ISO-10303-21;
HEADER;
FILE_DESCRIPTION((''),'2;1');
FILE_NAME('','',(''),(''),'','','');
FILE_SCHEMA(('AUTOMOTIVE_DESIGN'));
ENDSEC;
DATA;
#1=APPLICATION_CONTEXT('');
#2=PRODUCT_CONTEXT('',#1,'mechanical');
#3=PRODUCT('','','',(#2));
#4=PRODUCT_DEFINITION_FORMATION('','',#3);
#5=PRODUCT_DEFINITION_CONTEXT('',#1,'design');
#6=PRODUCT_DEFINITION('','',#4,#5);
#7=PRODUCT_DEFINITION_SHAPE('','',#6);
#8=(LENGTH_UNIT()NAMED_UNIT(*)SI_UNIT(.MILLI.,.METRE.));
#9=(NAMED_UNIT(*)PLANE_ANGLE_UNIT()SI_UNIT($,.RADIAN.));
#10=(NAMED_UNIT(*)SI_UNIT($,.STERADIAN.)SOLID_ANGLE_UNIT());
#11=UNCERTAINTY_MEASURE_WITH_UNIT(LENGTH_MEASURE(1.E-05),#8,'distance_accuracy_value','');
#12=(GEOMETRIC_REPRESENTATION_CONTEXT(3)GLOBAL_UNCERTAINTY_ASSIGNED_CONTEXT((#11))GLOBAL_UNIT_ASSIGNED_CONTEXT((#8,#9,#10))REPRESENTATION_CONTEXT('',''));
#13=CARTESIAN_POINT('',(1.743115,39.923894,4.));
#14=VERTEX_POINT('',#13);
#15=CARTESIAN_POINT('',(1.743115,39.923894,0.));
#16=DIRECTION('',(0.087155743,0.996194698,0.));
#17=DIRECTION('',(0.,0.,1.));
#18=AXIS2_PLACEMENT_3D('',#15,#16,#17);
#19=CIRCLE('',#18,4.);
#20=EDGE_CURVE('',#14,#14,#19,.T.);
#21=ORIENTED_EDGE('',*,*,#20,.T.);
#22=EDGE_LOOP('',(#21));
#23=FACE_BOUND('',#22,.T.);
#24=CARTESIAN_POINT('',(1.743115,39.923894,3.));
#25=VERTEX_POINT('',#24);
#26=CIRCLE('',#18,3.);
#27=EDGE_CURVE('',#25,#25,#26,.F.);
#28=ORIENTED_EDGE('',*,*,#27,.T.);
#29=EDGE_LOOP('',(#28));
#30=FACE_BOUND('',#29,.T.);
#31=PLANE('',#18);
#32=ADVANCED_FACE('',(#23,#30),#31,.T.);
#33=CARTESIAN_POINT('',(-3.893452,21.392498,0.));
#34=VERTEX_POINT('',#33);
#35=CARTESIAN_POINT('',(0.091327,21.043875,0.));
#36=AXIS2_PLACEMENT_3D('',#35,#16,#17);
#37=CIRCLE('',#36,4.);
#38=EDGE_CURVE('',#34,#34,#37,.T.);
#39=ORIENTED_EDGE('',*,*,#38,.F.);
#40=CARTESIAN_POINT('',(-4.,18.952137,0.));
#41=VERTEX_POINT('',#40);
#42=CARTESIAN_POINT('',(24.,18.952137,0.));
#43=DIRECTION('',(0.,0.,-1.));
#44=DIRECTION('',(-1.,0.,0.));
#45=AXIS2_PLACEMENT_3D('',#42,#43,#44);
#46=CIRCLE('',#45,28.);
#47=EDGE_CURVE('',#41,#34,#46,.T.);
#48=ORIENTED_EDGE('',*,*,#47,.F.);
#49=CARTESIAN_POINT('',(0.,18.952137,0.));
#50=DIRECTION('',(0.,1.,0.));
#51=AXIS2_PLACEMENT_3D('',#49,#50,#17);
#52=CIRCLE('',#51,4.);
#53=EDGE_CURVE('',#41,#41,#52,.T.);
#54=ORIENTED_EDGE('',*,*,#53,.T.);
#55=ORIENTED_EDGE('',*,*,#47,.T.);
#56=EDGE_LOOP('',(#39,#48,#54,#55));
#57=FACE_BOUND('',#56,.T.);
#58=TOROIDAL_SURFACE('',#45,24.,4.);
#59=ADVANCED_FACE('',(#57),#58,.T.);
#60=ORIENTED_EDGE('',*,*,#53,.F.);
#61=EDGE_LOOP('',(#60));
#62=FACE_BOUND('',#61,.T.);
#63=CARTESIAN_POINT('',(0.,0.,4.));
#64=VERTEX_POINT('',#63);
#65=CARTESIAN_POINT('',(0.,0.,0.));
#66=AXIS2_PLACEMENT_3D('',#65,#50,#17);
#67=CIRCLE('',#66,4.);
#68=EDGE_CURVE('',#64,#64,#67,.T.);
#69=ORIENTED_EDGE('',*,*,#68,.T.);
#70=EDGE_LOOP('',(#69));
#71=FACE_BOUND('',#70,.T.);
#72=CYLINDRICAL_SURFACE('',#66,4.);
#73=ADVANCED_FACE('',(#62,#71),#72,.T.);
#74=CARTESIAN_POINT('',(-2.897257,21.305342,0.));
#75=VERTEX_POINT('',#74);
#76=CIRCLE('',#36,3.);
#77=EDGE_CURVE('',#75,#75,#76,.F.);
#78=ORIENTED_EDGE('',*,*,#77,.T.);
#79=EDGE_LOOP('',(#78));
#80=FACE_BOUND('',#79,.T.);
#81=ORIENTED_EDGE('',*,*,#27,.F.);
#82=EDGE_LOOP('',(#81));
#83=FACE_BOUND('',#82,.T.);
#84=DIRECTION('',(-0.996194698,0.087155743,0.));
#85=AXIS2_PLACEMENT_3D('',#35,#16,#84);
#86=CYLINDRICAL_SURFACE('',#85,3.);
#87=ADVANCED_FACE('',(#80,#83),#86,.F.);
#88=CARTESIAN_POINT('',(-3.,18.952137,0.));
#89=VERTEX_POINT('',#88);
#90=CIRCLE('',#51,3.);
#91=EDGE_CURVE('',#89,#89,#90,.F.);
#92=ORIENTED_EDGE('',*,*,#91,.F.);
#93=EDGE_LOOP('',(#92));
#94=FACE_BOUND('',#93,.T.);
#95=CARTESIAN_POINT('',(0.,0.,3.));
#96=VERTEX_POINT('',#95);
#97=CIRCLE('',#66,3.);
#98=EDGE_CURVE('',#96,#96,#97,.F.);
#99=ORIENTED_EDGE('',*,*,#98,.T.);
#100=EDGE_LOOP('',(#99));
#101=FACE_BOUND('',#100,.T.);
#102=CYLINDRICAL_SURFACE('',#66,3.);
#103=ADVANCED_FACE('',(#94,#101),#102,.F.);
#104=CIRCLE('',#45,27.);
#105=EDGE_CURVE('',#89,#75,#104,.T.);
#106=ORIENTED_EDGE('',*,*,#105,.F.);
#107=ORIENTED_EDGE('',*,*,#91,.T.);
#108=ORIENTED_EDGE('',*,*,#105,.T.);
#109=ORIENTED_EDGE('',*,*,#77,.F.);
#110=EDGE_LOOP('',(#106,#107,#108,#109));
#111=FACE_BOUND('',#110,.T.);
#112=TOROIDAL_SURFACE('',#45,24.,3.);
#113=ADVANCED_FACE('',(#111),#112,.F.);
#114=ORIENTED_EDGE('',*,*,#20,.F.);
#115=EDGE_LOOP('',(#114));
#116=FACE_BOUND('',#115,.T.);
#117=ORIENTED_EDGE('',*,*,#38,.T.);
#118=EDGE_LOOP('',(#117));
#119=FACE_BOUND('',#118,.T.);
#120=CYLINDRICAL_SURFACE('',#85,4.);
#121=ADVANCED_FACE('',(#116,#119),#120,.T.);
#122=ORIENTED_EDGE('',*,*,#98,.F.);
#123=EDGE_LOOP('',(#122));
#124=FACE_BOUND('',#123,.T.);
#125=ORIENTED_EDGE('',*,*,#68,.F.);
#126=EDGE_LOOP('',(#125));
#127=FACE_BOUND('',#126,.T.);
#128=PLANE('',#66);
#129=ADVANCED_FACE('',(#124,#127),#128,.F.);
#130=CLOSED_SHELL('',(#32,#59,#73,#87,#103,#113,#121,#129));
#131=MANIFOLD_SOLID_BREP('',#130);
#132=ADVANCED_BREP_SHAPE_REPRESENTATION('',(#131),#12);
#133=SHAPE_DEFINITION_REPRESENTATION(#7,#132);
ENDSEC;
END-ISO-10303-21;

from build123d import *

# Parameters (mm, degrees)
SKETCH2_R   = 4
SKETCH2_R_2 = 3


with BuildPart() as part:
    # Sweep1: sweep along a path in Sketch1
    with BuildLine(Plane.XY) as sweep1_path:
        Line((0, 0), (0, 18.95213737))
        ThreePointArc((0, 18.95213737), (0.022842682, 19.999002667), (0.091327246, 21.043875196))
        Line((0.091327246, 21.043875196), (1.743114855, 39.923893962))
    # Sketch2 → Sweep1 (sweep)
    with BuildSketch(Plane(origin=(0, 0, 0), x_dir=(1, 0, 0), z_dir=(0, 1, 0))):
        Circle(SKETCH2_R)
        Circle(SKETCH2_R_2, mode=Mode.SUBTRACT)
    sweep(path=sweep1_path.line)


solid = part.part
